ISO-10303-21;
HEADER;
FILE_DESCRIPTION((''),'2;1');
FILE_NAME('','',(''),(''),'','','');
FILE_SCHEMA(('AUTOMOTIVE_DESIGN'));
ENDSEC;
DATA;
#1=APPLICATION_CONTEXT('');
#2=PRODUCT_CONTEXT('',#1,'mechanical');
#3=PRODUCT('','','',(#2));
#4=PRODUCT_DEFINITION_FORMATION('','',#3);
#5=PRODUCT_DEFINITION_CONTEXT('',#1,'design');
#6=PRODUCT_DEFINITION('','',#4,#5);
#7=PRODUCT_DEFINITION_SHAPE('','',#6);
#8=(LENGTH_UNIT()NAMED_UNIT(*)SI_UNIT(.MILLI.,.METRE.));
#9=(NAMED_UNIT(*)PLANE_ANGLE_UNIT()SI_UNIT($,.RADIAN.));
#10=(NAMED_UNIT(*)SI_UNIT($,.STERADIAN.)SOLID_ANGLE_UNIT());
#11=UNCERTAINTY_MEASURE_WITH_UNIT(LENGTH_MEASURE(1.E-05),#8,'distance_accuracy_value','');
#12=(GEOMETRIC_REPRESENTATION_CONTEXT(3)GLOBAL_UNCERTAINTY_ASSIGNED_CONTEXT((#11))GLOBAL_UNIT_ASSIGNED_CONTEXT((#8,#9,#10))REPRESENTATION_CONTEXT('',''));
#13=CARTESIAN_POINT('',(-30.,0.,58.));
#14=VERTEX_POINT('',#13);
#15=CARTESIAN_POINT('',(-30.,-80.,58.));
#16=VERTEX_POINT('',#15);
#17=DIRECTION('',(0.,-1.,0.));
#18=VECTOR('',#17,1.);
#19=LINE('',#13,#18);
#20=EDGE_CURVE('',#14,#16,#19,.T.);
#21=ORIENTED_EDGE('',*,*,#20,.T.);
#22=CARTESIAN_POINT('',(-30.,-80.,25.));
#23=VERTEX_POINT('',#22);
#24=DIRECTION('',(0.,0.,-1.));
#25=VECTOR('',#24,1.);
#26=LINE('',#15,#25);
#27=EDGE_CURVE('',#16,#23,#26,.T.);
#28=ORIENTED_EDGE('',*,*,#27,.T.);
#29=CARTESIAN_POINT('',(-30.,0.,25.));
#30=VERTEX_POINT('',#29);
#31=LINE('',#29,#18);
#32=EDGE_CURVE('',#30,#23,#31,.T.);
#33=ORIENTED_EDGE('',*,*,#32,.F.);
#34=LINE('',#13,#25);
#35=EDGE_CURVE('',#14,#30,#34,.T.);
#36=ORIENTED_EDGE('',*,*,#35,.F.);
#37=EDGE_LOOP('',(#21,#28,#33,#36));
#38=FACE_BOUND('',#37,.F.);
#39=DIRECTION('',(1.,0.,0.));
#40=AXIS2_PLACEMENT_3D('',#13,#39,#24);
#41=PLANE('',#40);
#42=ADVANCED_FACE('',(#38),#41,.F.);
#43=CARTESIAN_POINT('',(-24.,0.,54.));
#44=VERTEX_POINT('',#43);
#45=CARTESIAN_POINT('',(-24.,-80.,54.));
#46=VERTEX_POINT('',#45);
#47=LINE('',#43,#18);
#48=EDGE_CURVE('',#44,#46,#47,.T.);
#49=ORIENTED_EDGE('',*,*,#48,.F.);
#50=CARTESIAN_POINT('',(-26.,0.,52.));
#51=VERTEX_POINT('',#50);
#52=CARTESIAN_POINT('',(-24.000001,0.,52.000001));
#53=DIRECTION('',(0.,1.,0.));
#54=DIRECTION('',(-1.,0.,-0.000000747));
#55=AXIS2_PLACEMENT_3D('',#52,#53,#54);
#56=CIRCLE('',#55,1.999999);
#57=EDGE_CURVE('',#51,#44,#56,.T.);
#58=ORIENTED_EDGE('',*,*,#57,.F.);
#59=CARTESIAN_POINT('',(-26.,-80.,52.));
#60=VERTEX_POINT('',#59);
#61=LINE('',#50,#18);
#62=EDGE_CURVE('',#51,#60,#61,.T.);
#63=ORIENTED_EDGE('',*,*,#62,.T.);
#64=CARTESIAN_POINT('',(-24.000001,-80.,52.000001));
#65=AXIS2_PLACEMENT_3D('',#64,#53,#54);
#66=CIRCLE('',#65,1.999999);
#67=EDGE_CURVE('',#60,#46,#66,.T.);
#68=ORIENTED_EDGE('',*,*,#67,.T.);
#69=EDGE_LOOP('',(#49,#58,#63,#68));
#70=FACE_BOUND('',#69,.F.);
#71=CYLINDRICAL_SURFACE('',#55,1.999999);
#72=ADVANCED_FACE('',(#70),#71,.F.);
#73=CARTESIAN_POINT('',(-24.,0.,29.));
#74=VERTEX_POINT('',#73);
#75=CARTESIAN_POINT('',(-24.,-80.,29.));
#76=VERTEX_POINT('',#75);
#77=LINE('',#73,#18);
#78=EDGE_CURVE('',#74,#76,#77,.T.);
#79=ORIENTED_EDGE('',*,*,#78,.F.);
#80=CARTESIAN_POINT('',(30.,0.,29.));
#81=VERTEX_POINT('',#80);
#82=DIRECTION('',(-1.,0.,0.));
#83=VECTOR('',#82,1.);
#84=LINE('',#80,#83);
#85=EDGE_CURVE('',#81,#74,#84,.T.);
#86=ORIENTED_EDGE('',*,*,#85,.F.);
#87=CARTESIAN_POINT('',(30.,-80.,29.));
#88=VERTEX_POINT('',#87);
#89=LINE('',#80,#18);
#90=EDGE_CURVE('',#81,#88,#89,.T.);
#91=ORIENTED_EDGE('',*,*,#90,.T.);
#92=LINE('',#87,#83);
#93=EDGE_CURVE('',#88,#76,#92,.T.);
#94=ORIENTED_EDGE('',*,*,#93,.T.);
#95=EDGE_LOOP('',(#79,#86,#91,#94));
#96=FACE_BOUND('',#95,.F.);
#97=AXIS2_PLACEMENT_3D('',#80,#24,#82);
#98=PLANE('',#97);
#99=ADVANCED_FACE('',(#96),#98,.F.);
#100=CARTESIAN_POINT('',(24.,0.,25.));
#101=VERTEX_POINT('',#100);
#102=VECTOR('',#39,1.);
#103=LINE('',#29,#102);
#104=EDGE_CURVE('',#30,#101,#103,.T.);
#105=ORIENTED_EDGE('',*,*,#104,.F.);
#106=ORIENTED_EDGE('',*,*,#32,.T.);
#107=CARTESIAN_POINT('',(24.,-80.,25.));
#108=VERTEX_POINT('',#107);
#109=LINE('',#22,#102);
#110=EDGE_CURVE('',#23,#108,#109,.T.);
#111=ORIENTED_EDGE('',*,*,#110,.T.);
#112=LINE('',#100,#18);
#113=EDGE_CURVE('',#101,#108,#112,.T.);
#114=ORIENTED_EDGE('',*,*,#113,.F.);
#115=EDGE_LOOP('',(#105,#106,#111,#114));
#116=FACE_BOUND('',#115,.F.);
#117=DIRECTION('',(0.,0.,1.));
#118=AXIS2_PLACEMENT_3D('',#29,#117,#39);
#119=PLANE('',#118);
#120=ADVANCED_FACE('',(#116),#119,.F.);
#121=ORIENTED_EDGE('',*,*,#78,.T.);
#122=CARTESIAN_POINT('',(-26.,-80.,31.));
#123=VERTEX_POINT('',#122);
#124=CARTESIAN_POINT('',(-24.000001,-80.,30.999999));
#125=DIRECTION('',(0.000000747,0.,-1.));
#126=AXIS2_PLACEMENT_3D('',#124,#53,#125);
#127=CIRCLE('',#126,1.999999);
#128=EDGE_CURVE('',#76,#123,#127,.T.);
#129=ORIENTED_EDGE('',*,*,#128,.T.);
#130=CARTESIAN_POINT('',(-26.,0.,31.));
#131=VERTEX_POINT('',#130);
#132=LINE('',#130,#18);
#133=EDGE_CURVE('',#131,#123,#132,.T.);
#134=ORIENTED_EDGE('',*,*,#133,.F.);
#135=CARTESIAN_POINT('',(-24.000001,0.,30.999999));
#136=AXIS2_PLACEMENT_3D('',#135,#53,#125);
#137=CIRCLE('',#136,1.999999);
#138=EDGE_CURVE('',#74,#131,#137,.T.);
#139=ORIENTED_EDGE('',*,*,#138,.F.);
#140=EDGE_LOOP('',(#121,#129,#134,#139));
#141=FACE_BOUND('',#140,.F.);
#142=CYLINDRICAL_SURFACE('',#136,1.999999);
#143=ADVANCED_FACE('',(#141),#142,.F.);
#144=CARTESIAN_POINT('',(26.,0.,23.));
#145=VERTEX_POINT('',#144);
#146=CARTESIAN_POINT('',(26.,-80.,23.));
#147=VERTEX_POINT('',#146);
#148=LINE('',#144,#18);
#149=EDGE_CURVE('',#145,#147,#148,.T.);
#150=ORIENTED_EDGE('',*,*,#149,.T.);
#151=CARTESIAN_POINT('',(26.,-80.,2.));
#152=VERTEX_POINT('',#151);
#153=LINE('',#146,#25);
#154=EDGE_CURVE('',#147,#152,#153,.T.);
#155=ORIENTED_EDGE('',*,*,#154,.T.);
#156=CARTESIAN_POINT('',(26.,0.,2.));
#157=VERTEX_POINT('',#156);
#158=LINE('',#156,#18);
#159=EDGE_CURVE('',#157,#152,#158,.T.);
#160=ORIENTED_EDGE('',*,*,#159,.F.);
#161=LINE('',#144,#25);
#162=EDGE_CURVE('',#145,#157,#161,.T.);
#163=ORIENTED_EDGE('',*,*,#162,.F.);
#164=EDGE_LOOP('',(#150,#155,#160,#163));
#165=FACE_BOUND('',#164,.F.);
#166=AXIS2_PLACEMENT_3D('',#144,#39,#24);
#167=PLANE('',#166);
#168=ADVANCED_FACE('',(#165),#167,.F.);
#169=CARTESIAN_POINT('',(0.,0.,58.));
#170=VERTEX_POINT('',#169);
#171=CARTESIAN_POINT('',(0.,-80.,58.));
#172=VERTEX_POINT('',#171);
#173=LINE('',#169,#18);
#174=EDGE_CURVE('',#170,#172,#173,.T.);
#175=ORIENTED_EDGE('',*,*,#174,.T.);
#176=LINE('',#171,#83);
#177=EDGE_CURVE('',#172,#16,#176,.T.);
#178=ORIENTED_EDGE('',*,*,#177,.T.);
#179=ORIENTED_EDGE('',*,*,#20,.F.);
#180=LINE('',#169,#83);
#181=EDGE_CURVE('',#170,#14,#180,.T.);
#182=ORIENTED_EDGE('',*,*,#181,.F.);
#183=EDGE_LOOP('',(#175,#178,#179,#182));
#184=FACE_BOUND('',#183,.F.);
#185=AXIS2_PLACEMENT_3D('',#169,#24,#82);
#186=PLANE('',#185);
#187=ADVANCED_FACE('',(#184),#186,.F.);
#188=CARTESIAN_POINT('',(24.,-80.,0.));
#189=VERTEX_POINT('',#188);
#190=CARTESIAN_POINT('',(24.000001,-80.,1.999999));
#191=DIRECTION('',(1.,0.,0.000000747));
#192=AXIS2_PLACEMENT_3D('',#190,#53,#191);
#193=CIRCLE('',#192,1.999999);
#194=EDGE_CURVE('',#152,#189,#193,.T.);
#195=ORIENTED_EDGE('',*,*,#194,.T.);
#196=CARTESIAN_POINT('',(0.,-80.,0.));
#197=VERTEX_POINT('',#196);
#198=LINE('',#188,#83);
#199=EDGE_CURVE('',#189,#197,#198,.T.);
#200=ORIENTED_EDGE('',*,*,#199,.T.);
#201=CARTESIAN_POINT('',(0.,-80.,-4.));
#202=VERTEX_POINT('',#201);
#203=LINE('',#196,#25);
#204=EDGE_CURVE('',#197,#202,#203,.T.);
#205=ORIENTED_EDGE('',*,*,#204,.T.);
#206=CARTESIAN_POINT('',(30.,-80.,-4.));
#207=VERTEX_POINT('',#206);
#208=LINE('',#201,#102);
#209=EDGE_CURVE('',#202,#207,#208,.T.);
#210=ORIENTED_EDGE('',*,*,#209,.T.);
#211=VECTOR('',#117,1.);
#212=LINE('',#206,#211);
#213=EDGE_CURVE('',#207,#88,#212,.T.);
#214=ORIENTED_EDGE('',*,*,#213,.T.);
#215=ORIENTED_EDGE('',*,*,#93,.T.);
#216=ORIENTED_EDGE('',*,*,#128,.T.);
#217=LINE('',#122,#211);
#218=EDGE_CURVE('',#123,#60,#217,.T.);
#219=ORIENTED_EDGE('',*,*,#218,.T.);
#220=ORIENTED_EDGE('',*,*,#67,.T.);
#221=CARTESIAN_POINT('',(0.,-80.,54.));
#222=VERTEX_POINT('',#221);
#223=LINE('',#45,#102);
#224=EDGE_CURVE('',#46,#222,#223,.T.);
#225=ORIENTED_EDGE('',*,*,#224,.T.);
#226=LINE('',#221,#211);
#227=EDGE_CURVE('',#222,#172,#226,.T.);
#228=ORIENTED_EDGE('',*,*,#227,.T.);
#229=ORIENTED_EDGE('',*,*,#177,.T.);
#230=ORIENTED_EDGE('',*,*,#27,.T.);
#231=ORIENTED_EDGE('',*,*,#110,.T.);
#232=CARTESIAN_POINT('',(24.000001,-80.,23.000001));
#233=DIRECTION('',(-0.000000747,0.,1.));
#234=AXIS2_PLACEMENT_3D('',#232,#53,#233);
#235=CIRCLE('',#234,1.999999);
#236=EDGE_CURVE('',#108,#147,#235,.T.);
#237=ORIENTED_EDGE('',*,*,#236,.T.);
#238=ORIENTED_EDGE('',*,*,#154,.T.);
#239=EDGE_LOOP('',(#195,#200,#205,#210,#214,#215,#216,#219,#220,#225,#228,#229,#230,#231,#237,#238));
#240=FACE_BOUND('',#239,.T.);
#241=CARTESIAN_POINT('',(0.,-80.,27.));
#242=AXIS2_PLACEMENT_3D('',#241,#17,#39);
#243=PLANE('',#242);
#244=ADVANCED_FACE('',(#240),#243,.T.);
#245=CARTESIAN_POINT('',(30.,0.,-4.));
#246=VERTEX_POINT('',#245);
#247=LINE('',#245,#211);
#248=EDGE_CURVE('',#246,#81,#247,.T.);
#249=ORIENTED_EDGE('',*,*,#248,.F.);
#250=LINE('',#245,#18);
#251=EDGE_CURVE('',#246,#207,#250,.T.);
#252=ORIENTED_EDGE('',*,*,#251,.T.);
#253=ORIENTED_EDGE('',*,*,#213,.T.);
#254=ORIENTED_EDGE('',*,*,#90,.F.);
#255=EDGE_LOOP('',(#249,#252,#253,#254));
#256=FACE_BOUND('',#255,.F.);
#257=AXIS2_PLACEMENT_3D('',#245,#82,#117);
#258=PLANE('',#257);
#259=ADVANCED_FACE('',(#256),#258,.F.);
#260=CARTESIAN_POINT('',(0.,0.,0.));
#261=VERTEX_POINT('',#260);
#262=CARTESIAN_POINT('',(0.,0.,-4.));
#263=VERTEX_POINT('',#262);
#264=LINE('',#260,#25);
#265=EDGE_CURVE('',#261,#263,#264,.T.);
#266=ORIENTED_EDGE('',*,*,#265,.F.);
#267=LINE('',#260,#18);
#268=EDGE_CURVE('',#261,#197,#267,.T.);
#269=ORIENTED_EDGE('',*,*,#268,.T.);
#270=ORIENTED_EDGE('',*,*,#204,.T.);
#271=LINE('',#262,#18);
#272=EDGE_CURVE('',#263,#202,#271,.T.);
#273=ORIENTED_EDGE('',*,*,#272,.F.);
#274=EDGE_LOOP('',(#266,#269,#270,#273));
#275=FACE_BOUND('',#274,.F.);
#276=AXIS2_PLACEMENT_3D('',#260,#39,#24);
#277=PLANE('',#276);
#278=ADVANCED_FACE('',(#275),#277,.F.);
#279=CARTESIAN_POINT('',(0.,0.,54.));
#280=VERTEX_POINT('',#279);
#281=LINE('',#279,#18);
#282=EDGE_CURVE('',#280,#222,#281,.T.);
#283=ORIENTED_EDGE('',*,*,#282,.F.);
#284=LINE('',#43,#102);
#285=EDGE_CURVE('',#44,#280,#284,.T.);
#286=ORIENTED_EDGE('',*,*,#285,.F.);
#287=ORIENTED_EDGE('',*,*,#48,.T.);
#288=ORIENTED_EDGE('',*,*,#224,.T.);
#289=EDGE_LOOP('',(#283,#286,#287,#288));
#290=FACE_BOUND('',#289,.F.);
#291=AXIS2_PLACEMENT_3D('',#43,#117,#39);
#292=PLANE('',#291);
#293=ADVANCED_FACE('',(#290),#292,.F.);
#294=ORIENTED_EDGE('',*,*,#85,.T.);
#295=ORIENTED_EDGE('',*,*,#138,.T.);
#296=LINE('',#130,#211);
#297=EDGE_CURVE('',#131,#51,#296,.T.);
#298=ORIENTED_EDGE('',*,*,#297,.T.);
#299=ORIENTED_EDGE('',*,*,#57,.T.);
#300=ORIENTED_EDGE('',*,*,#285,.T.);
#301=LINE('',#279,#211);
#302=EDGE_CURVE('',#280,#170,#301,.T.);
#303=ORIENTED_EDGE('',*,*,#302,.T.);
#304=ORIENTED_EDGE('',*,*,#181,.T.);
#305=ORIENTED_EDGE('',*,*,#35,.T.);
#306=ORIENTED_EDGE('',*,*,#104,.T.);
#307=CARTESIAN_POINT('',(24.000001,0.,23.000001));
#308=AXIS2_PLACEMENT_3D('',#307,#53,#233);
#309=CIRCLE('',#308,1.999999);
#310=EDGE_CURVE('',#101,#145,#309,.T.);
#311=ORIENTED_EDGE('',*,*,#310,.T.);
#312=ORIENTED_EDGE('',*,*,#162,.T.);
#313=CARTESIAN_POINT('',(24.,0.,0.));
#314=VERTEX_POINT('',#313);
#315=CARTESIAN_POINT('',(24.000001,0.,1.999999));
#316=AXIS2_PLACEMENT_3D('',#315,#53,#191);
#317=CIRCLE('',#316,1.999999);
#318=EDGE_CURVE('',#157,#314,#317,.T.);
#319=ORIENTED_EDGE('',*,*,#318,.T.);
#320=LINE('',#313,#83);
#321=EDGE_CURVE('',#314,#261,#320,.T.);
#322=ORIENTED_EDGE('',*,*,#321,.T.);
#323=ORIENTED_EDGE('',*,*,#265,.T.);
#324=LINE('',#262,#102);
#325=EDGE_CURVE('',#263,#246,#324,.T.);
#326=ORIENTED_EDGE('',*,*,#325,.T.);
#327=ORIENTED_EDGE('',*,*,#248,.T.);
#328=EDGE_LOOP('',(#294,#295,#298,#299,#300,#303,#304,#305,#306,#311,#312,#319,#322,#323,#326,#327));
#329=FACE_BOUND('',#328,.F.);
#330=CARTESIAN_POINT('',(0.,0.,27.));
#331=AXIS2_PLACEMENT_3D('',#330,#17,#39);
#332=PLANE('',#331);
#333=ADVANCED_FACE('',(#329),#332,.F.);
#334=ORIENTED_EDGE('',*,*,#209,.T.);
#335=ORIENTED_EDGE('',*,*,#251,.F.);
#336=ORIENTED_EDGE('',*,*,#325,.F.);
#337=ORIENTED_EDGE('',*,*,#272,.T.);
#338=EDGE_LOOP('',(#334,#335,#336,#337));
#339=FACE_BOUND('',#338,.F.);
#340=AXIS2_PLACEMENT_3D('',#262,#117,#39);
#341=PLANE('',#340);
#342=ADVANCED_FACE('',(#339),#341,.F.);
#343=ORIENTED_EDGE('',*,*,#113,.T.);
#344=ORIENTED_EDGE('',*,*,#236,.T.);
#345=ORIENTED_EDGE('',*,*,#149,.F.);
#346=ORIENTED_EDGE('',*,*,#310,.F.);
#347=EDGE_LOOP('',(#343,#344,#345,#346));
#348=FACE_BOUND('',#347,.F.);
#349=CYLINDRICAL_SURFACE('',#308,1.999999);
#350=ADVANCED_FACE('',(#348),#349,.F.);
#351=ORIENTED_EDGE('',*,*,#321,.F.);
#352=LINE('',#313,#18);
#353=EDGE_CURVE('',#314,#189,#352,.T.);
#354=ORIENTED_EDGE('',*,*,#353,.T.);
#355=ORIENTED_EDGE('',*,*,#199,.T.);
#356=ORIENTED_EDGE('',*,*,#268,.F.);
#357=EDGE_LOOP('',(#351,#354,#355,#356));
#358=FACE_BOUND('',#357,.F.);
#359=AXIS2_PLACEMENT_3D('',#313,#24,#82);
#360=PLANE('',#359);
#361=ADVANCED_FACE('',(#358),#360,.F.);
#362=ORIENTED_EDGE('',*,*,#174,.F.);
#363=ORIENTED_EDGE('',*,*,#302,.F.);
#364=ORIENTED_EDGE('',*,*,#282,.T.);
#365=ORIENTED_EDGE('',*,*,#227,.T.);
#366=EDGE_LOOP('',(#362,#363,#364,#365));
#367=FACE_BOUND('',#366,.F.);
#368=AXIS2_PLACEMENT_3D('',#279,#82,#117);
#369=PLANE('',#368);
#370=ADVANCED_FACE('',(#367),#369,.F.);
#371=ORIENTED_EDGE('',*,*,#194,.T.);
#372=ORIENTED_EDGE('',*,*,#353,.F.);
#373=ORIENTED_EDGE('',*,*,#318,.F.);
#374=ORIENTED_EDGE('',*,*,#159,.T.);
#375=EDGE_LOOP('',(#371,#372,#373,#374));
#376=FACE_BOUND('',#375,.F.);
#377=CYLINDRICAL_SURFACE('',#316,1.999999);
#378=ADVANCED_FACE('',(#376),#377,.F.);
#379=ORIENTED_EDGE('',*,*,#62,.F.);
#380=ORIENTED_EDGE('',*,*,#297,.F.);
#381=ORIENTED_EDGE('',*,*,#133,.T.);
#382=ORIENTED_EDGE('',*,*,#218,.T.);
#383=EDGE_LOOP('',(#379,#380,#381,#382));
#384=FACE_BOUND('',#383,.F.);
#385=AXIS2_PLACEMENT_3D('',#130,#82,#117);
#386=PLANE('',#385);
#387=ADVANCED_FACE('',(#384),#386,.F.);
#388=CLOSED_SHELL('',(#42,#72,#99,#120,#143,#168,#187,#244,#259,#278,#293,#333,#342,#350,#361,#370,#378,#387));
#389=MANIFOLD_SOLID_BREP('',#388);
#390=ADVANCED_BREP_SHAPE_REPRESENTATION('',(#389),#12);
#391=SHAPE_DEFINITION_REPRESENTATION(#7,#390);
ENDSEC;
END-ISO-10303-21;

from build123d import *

# Parameters (mm, degrees)
F1_DEPTH = 80


with BuildPart() as f1:
    # F0 (on Front) → F1 (new body)
    with BuildSketch(Plane.XZ):
        with BuildLine():
            Line((24, 0), (0, 0))
            Line((0, 0), (0, -4))
            Line((0, -4), (30, -4))
            Line((30, -4), (30, 29))
            Line((30, 29), (-24, 29))
            ThreePointArc((-24, 29), (-25.414214, 29.585786), (-26, 31))
            Line((-26, 31), (-26, 52))
            ThreePointArc((-26, 52), (-25.414214, 53.414214), (-24, 54))
            Line((-24, 54), (0, 54))
            Line((0, 54), (0, 58))
            Line((0, 58), (-30, 58))
            Line((-30, 58), (-30, 25))
            Line((-30, 25), (24, 25))
            ThreePointArc((24, 25), (25.414214, 24.414214), (26, 23))
            Line((26, 23), (26, 2))
            ThreePointArc((26, 2), (25.414214, 0.585786), (24, 0))
        make_face()
    extrude(amount=F1_DEPTH)


solid = f1.part
